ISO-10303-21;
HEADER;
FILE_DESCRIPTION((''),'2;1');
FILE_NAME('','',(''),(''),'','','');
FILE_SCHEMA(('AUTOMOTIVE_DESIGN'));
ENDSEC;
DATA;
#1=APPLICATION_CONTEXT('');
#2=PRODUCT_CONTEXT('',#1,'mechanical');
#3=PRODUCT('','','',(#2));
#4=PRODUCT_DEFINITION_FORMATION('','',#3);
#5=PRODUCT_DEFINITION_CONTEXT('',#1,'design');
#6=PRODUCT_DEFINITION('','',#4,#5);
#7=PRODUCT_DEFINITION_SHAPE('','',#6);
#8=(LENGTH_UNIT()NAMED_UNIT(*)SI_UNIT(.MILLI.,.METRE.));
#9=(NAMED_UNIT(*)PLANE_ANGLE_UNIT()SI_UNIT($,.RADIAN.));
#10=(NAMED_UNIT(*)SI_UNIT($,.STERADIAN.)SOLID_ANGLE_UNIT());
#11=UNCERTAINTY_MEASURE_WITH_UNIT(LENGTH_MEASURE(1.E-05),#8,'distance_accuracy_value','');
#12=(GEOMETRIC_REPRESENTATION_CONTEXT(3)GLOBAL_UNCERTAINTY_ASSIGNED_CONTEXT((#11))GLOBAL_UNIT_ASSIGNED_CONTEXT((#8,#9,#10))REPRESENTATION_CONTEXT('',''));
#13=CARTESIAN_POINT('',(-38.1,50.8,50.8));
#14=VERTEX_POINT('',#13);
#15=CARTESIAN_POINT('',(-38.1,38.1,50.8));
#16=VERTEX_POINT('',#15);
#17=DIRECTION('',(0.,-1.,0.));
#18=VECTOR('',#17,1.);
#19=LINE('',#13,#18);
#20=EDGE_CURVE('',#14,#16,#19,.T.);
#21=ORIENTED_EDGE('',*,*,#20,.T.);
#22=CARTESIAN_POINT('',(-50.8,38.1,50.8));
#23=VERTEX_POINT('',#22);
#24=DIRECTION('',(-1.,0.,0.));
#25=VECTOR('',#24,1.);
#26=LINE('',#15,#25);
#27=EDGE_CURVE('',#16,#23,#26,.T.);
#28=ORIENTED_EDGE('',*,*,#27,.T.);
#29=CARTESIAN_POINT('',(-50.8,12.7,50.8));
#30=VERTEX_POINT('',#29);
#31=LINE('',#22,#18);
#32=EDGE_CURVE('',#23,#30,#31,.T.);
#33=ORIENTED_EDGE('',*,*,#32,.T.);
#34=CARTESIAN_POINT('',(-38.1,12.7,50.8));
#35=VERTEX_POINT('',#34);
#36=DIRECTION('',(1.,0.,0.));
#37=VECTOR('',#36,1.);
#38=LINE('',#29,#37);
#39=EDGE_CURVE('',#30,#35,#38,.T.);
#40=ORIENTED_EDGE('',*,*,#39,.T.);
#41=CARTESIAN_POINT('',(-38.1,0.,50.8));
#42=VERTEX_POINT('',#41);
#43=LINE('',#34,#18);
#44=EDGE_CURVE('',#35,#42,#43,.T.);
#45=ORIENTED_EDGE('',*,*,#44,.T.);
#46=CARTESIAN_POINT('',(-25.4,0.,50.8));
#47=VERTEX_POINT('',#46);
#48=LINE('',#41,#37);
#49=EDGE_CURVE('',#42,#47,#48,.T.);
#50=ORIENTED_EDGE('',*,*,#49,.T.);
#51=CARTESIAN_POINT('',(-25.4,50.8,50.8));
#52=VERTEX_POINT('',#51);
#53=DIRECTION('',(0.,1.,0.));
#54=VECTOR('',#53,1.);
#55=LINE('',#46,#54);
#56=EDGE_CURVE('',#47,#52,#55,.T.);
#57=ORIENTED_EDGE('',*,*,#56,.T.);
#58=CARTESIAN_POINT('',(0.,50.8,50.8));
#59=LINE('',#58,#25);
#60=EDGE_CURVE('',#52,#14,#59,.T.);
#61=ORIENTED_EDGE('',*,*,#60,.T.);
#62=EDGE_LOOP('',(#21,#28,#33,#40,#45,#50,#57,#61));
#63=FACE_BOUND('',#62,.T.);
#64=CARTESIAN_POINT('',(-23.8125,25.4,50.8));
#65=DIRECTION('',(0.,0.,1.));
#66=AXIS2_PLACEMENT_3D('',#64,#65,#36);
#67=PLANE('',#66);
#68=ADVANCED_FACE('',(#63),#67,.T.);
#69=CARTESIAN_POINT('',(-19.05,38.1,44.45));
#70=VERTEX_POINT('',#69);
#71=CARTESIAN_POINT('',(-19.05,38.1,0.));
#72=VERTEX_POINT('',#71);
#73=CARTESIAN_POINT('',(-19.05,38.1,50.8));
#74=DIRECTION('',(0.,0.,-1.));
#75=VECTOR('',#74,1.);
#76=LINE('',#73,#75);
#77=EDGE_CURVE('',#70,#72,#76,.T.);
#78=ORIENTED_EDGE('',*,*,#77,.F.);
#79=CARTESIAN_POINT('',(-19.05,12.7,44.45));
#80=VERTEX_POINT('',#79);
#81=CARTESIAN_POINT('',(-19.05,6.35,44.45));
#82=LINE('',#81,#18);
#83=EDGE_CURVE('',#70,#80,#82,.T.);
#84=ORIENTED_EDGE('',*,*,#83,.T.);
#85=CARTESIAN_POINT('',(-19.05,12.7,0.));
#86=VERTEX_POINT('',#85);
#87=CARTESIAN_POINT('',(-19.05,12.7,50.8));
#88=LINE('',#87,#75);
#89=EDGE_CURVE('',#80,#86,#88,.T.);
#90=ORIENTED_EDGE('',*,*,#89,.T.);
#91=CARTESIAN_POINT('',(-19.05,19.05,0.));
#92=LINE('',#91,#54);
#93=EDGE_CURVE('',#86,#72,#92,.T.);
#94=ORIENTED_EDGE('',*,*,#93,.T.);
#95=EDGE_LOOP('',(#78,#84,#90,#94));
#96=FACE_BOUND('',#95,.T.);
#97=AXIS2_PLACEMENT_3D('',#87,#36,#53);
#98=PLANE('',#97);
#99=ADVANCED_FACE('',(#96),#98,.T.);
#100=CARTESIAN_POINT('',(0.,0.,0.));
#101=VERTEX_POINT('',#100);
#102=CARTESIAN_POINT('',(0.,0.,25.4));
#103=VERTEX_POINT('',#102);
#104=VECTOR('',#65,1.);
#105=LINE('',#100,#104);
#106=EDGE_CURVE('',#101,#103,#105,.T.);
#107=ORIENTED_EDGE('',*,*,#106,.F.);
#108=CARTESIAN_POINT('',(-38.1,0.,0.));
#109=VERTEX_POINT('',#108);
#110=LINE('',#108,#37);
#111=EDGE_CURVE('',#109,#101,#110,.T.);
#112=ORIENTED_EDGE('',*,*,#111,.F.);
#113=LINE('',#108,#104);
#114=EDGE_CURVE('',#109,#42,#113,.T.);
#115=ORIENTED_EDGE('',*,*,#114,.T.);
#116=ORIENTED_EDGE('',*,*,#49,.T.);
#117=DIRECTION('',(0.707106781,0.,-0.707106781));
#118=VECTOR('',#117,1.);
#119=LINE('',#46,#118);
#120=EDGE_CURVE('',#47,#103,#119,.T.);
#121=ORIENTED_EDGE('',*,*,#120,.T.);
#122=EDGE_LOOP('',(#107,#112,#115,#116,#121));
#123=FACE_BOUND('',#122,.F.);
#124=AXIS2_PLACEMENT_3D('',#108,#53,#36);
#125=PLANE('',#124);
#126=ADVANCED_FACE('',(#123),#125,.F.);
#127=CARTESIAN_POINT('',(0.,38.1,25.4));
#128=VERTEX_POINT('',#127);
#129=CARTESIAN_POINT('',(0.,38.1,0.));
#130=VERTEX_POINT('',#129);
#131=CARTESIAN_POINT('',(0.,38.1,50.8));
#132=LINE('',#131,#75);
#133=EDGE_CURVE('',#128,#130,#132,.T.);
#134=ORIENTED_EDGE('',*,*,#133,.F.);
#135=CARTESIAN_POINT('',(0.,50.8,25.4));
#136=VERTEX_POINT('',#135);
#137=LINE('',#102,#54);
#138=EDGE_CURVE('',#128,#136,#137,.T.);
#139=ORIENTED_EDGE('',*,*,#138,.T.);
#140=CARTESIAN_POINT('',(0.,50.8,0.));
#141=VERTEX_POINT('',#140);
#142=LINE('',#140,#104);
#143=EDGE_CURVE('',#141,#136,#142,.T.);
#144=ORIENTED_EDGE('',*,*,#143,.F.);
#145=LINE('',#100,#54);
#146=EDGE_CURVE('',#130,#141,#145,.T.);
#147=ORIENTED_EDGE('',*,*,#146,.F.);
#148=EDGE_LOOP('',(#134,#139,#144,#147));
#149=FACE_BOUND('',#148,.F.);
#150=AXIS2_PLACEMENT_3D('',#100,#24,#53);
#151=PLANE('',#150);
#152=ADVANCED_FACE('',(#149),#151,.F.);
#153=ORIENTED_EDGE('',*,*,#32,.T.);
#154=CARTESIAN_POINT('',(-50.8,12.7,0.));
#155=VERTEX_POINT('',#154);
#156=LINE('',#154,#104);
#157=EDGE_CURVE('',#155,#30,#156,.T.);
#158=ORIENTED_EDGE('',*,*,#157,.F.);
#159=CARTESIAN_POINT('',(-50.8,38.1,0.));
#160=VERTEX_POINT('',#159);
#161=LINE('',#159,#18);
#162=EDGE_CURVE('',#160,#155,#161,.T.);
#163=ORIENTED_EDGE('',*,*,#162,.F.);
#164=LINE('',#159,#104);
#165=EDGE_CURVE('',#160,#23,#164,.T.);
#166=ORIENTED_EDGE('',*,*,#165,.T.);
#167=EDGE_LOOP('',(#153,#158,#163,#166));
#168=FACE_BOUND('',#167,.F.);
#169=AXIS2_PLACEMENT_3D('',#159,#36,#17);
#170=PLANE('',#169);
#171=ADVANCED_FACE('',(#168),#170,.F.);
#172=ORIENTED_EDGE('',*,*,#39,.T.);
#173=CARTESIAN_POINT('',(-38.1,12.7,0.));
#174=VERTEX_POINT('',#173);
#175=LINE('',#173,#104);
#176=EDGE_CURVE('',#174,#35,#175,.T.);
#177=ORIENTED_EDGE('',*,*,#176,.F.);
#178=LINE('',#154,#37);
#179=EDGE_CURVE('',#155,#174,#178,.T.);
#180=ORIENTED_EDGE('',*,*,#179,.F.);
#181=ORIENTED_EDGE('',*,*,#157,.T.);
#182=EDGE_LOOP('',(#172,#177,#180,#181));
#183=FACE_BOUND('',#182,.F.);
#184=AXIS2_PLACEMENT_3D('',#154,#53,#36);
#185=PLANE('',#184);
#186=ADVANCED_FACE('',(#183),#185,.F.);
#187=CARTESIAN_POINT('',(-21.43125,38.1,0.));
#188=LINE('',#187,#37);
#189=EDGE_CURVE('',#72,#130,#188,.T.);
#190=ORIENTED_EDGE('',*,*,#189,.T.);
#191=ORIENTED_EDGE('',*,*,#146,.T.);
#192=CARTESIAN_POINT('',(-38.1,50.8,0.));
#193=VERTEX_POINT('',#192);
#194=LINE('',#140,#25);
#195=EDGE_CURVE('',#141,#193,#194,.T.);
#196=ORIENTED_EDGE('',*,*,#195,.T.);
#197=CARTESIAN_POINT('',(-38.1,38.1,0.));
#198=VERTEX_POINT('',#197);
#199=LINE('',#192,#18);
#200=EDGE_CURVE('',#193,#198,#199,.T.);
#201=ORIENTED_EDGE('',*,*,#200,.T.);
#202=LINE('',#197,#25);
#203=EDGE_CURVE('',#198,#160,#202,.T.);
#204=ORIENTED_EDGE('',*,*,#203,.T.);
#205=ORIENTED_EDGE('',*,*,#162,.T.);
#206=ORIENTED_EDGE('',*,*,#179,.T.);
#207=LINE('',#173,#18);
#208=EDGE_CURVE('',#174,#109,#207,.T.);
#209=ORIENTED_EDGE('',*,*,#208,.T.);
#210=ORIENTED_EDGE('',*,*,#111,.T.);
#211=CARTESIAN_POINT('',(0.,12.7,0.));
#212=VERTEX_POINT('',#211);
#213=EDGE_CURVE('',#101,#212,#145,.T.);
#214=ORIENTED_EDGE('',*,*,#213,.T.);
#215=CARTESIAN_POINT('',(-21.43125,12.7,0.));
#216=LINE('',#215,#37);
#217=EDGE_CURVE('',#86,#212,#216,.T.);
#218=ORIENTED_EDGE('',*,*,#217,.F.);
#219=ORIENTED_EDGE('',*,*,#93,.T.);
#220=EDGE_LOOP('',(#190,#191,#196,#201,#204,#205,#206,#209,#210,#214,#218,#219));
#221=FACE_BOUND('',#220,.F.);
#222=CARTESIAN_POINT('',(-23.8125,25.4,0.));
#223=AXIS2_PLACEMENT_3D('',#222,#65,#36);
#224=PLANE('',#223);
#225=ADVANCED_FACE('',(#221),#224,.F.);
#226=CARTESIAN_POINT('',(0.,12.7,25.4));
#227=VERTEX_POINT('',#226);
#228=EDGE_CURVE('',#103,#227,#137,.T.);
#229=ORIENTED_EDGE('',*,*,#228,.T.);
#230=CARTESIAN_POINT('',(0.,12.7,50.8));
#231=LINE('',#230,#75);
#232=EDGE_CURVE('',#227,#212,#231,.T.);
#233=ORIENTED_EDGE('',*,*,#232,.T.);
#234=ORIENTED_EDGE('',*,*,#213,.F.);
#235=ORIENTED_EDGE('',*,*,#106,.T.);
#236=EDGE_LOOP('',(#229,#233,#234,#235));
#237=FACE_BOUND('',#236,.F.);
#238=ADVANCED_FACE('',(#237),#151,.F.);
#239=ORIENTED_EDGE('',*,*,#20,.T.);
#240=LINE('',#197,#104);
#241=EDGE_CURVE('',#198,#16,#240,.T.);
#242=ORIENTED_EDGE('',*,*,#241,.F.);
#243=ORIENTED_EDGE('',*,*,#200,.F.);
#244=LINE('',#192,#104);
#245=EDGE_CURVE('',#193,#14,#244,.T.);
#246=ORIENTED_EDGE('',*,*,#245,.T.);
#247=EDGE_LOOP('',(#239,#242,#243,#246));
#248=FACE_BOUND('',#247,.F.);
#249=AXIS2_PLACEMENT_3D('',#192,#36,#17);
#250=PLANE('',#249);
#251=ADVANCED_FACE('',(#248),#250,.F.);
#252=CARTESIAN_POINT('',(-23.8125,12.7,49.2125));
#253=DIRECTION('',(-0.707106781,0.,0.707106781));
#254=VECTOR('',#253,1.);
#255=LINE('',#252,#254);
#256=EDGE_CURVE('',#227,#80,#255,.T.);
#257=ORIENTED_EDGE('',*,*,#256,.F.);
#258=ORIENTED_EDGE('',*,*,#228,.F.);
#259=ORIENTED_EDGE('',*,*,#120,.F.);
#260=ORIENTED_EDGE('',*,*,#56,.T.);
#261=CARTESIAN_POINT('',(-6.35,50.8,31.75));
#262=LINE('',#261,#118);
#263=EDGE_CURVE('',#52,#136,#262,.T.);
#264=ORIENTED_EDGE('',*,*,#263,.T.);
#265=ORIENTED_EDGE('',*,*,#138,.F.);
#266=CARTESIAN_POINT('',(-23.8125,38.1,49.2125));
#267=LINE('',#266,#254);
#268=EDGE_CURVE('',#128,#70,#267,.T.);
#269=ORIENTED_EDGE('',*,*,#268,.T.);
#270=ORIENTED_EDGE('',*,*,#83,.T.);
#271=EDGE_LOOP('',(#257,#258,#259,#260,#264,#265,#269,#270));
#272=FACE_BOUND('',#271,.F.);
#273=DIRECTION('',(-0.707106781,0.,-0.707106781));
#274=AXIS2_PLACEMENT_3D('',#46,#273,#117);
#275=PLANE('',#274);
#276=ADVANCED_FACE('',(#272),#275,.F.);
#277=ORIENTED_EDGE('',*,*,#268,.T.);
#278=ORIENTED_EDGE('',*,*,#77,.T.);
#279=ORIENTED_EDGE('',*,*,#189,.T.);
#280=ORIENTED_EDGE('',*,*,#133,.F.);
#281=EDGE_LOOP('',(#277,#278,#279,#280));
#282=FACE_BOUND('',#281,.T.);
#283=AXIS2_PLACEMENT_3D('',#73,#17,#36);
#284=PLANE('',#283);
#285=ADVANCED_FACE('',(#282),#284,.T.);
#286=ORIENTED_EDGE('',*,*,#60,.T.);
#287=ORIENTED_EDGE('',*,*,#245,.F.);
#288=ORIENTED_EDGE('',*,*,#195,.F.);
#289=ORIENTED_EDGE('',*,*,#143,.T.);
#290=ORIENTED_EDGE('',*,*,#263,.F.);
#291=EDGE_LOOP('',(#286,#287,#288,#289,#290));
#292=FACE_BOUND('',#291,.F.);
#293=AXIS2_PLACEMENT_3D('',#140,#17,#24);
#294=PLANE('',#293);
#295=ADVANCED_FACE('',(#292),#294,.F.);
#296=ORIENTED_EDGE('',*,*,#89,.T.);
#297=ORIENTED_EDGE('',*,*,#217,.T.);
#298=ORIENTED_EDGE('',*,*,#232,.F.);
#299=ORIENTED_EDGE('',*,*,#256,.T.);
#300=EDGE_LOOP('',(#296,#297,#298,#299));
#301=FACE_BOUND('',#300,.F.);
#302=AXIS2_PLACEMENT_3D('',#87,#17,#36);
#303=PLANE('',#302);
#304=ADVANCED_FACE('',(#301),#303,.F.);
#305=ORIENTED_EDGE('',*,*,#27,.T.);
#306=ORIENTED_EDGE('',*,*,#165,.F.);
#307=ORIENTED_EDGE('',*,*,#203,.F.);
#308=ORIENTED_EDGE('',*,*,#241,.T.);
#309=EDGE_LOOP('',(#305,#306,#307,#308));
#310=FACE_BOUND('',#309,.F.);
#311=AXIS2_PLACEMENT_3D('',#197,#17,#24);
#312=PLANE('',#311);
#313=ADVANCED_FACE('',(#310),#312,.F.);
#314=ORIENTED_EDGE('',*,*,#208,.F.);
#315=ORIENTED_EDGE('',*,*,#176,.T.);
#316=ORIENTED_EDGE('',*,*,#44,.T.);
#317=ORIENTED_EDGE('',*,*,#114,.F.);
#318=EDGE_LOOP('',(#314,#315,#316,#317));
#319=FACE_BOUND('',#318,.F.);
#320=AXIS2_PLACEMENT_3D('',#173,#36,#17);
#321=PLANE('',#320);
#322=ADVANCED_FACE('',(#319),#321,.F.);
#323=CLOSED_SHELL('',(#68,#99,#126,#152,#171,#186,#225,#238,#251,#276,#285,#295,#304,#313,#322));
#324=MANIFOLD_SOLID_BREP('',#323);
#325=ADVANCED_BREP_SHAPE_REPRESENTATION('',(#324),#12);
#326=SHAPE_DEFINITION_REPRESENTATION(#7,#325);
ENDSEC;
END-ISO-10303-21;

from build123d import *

# Parameters (mm, degrees)
F1_DEPTH = 50.8
F3_DEPTH = 50.801
F4_W     = 19.05
F4_H     = 25.4
F5_DEPTH = 50.801


with BuildPart() as f1:
    # F0 (on Top) → F1 (new body)
    with BuildSketch(Plane.XY):
        Polygon((-38.1, 0), (0, 0), (0, 12.7), (0, 38.1), (0, 50.8), (-38.1, 50.8), (-38.1, 38.1), (-50.8, 38.1), (-50.8, 12.7), (-38.1, 12.7), align=None)
    extrude(amount=F1_DEPTH)

    # F2 (on face) → F3 (cut, through all)
    with BuildSketch(Plane.XZ):
        Polygon((0, 50.8), (-25.4, 50.8), (0, 25.4), align=None)
    extrude(amount=-F3_DEPTH, mode=Mode.SUBTRACT)

    # F4 (on face) → F5 (cut, through all)
    with BuildSketch(Plane.XY.offset(50.8)):
        with Locations((-9.525, 25.4)):
            Rectangle(F4_W, F4_H)
    extrude(amount=-F5_DEPTH, mode=Mode.SUBTRACT)


solid = f1.part
